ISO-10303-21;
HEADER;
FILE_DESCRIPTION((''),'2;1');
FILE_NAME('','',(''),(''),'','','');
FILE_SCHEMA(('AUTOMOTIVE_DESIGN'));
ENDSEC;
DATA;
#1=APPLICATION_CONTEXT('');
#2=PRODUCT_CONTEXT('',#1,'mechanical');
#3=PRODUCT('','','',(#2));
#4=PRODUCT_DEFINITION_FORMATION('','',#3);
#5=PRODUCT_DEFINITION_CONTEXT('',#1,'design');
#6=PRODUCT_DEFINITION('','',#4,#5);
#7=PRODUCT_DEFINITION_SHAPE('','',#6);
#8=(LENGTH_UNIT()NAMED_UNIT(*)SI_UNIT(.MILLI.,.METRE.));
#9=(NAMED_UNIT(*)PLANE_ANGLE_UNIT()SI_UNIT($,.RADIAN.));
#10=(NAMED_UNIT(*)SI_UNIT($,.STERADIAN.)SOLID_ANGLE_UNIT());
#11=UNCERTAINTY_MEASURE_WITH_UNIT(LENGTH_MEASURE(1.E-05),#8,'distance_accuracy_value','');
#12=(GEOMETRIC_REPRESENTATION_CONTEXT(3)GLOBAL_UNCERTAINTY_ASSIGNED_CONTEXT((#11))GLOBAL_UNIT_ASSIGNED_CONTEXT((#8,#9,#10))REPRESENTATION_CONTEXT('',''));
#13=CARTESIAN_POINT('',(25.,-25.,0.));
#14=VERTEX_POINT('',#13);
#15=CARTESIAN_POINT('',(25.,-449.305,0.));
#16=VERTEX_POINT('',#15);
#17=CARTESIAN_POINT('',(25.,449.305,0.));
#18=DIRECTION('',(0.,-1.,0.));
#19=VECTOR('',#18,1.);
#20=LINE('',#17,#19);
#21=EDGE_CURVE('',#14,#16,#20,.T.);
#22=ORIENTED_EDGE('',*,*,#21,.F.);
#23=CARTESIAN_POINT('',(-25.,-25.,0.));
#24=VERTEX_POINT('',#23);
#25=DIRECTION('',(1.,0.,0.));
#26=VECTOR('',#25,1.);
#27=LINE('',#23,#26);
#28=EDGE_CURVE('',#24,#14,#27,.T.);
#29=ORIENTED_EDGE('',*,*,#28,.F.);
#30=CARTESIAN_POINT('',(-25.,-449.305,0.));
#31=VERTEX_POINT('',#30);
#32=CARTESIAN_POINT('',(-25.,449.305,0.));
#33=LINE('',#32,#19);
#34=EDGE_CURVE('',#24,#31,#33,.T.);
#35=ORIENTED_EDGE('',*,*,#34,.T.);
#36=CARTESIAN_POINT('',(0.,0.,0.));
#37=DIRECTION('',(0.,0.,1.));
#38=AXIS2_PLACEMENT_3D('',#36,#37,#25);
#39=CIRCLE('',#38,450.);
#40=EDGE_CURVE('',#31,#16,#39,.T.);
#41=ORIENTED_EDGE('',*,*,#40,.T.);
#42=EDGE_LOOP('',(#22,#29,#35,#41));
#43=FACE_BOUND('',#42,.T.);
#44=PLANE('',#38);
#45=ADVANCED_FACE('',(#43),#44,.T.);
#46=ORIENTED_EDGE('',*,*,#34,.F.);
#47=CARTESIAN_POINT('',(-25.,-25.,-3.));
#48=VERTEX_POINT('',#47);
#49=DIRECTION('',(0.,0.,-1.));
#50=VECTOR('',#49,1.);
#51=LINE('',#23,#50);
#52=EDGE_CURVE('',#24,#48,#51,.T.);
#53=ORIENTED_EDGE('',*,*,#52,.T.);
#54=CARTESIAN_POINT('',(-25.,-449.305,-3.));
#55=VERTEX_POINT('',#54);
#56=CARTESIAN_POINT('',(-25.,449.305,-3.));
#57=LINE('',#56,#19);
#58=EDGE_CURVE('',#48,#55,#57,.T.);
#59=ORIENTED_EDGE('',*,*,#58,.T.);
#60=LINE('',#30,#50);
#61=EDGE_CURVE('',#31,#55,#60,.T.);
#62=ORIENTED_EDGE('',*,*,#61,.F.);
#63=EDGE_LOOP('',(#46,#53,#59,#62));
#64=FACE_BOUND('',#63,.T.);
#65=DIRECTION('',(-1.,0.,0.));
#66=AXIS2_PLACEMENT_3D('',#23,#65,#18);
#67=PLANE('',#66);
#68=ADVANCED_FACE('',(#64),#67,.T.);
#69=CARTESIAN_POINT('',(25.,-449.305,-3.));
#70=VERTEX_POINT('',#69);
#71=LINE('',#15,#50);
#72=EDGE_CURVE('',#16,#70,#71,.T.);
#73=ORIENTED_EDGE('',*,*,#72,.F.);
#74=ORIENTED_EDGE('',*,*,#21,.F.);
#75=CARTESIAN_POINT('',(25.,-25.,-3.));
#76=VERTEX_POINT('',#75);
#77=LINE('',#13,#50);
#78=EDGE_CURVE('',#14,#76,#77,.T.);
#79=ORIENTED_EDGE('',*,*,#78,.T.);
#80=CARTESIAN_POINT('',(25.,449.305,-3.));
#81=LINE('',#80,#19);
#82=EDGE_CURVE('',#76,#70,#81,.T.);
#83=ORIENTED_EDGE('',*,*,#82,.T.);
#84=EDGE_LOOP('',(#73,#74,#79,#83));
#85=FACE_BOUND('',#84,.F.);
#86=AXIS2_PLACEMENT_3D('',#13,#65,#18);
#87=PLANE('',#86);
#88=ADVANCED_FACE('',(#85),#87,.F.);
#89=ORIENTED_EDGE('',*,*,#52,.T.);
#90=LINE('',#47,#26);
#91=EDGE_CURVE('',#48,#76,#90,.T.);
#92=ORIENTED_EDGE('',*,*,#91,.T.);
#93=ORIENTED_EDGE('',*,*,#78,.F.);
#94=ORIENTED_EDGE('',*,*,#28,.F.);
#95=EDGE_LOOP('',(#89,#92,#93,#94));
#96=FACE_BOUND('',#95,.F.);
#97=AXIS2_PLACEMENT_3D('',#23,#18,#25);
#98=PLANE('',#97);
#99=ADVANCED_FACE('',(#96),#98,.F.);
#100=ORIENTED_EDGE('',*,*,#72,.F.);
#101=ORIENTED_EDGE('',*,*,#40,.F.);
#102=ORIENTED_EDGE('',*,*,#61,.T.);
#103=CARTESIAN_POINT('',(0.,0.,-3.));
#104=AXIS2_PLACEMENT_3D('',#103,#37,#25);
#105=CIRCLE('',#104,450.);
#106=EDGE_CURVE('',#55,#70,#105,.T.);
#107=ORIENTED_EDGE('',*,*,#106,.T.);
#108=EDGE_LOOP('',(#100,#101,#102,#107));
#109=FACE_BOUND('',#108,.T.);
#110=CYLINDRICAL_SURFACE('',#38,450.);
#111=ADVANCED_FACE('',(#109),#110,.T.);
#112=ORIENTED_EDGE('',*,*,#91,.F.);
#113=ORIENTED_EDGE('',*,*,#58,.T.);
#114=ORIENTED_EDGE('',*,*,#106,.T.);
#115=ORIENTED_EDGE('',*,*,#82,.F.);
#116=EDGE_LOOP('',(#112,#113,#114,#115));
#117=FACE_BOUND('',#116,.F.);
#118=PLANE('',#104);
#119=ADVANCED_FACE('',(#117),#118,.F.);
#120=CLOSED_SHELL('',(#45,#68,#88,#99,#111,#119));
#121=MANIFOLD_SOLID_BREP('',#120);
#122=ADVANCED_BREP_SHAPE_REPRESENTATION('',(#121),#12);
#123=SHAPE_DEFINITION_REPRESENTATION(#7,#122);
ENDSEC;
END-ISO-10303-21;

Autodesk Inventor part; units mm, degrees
ref_plane "YZ Plane" through (0, 0, 0) normal (1, 0, 0) x (0, 1, 0)
ref_plane "XZ Plane" through (0, 0, 0) normal (0, 1, 0) x (-1, 0, 0)
ref_plane "XY Plane" through (0, 0, 0) normal (0, 0, 1) x (1, 0, 0)
sketch "Sketch1" plane through (0, 0, 0) normal (0, 0, 1) x (1, 0, 0)
  circle A0 centre (0, 0) radius 550 construction
  circle A1 centre (0, 0) radius 450
  line L0 (0, 450) -> (0, -450) construction
  line L1 (450, 0) -> (-450, 0) construction
  line L2 (25, 449.305) -> (25, -449.305)
  line L3 (-25, 449.305) -> (-25, -449.305)
  line L4 (-25, -25) -> (25, -25)
  point P0 (0, 0)
  point P1 (-25, 0)
  point P2 (25, 0)
  dimension "d12" = 900
  dimension "d11" = 1100
  dimension "d13" = 25
  dimension "d14" = 25
  dimension "d16" = 25
extrude "Plate2" add sketch "Sketch1" against normal blind 3 contours A1 L3 L4 L2 picked at (-2.779, -166.6409)
equation "\"d12\" = d11 - 2 * Ширина_кольца"
equation "\"d11\" = Диаметр_вн"
equation "\"d13\" = 0.5 * Ширина_креста"
equation "\"d14\" = d13"
equation "\"d15\" = Thickness"
equation "\"BendReliefWidth\" = Thickness"
equation "\"BendReliefDepth\" = 0.5 * Thickness"
equation "\"CornerReliefSize\" = 4 * Thickness"
equation "\"MinimumRemnant\" = 2 * Thickness"
equation "\"TransitionRadius\" = BendRadius"
equation "\"JacobiRadiusSize\" = BendRadius"
equation "\"GapSize\" = Thickness"
equation "\"Ширина_кольца\" = 100"
equation "\"Диаметр_вн\" = 1100"
equation "\"Ширина_креста\" = 50"
equation "\"Thickness\" = 3"
equation "\"BendRadius\" = 5"
properties part number "BSH 504 inner cross" material "Stainless Steel"
